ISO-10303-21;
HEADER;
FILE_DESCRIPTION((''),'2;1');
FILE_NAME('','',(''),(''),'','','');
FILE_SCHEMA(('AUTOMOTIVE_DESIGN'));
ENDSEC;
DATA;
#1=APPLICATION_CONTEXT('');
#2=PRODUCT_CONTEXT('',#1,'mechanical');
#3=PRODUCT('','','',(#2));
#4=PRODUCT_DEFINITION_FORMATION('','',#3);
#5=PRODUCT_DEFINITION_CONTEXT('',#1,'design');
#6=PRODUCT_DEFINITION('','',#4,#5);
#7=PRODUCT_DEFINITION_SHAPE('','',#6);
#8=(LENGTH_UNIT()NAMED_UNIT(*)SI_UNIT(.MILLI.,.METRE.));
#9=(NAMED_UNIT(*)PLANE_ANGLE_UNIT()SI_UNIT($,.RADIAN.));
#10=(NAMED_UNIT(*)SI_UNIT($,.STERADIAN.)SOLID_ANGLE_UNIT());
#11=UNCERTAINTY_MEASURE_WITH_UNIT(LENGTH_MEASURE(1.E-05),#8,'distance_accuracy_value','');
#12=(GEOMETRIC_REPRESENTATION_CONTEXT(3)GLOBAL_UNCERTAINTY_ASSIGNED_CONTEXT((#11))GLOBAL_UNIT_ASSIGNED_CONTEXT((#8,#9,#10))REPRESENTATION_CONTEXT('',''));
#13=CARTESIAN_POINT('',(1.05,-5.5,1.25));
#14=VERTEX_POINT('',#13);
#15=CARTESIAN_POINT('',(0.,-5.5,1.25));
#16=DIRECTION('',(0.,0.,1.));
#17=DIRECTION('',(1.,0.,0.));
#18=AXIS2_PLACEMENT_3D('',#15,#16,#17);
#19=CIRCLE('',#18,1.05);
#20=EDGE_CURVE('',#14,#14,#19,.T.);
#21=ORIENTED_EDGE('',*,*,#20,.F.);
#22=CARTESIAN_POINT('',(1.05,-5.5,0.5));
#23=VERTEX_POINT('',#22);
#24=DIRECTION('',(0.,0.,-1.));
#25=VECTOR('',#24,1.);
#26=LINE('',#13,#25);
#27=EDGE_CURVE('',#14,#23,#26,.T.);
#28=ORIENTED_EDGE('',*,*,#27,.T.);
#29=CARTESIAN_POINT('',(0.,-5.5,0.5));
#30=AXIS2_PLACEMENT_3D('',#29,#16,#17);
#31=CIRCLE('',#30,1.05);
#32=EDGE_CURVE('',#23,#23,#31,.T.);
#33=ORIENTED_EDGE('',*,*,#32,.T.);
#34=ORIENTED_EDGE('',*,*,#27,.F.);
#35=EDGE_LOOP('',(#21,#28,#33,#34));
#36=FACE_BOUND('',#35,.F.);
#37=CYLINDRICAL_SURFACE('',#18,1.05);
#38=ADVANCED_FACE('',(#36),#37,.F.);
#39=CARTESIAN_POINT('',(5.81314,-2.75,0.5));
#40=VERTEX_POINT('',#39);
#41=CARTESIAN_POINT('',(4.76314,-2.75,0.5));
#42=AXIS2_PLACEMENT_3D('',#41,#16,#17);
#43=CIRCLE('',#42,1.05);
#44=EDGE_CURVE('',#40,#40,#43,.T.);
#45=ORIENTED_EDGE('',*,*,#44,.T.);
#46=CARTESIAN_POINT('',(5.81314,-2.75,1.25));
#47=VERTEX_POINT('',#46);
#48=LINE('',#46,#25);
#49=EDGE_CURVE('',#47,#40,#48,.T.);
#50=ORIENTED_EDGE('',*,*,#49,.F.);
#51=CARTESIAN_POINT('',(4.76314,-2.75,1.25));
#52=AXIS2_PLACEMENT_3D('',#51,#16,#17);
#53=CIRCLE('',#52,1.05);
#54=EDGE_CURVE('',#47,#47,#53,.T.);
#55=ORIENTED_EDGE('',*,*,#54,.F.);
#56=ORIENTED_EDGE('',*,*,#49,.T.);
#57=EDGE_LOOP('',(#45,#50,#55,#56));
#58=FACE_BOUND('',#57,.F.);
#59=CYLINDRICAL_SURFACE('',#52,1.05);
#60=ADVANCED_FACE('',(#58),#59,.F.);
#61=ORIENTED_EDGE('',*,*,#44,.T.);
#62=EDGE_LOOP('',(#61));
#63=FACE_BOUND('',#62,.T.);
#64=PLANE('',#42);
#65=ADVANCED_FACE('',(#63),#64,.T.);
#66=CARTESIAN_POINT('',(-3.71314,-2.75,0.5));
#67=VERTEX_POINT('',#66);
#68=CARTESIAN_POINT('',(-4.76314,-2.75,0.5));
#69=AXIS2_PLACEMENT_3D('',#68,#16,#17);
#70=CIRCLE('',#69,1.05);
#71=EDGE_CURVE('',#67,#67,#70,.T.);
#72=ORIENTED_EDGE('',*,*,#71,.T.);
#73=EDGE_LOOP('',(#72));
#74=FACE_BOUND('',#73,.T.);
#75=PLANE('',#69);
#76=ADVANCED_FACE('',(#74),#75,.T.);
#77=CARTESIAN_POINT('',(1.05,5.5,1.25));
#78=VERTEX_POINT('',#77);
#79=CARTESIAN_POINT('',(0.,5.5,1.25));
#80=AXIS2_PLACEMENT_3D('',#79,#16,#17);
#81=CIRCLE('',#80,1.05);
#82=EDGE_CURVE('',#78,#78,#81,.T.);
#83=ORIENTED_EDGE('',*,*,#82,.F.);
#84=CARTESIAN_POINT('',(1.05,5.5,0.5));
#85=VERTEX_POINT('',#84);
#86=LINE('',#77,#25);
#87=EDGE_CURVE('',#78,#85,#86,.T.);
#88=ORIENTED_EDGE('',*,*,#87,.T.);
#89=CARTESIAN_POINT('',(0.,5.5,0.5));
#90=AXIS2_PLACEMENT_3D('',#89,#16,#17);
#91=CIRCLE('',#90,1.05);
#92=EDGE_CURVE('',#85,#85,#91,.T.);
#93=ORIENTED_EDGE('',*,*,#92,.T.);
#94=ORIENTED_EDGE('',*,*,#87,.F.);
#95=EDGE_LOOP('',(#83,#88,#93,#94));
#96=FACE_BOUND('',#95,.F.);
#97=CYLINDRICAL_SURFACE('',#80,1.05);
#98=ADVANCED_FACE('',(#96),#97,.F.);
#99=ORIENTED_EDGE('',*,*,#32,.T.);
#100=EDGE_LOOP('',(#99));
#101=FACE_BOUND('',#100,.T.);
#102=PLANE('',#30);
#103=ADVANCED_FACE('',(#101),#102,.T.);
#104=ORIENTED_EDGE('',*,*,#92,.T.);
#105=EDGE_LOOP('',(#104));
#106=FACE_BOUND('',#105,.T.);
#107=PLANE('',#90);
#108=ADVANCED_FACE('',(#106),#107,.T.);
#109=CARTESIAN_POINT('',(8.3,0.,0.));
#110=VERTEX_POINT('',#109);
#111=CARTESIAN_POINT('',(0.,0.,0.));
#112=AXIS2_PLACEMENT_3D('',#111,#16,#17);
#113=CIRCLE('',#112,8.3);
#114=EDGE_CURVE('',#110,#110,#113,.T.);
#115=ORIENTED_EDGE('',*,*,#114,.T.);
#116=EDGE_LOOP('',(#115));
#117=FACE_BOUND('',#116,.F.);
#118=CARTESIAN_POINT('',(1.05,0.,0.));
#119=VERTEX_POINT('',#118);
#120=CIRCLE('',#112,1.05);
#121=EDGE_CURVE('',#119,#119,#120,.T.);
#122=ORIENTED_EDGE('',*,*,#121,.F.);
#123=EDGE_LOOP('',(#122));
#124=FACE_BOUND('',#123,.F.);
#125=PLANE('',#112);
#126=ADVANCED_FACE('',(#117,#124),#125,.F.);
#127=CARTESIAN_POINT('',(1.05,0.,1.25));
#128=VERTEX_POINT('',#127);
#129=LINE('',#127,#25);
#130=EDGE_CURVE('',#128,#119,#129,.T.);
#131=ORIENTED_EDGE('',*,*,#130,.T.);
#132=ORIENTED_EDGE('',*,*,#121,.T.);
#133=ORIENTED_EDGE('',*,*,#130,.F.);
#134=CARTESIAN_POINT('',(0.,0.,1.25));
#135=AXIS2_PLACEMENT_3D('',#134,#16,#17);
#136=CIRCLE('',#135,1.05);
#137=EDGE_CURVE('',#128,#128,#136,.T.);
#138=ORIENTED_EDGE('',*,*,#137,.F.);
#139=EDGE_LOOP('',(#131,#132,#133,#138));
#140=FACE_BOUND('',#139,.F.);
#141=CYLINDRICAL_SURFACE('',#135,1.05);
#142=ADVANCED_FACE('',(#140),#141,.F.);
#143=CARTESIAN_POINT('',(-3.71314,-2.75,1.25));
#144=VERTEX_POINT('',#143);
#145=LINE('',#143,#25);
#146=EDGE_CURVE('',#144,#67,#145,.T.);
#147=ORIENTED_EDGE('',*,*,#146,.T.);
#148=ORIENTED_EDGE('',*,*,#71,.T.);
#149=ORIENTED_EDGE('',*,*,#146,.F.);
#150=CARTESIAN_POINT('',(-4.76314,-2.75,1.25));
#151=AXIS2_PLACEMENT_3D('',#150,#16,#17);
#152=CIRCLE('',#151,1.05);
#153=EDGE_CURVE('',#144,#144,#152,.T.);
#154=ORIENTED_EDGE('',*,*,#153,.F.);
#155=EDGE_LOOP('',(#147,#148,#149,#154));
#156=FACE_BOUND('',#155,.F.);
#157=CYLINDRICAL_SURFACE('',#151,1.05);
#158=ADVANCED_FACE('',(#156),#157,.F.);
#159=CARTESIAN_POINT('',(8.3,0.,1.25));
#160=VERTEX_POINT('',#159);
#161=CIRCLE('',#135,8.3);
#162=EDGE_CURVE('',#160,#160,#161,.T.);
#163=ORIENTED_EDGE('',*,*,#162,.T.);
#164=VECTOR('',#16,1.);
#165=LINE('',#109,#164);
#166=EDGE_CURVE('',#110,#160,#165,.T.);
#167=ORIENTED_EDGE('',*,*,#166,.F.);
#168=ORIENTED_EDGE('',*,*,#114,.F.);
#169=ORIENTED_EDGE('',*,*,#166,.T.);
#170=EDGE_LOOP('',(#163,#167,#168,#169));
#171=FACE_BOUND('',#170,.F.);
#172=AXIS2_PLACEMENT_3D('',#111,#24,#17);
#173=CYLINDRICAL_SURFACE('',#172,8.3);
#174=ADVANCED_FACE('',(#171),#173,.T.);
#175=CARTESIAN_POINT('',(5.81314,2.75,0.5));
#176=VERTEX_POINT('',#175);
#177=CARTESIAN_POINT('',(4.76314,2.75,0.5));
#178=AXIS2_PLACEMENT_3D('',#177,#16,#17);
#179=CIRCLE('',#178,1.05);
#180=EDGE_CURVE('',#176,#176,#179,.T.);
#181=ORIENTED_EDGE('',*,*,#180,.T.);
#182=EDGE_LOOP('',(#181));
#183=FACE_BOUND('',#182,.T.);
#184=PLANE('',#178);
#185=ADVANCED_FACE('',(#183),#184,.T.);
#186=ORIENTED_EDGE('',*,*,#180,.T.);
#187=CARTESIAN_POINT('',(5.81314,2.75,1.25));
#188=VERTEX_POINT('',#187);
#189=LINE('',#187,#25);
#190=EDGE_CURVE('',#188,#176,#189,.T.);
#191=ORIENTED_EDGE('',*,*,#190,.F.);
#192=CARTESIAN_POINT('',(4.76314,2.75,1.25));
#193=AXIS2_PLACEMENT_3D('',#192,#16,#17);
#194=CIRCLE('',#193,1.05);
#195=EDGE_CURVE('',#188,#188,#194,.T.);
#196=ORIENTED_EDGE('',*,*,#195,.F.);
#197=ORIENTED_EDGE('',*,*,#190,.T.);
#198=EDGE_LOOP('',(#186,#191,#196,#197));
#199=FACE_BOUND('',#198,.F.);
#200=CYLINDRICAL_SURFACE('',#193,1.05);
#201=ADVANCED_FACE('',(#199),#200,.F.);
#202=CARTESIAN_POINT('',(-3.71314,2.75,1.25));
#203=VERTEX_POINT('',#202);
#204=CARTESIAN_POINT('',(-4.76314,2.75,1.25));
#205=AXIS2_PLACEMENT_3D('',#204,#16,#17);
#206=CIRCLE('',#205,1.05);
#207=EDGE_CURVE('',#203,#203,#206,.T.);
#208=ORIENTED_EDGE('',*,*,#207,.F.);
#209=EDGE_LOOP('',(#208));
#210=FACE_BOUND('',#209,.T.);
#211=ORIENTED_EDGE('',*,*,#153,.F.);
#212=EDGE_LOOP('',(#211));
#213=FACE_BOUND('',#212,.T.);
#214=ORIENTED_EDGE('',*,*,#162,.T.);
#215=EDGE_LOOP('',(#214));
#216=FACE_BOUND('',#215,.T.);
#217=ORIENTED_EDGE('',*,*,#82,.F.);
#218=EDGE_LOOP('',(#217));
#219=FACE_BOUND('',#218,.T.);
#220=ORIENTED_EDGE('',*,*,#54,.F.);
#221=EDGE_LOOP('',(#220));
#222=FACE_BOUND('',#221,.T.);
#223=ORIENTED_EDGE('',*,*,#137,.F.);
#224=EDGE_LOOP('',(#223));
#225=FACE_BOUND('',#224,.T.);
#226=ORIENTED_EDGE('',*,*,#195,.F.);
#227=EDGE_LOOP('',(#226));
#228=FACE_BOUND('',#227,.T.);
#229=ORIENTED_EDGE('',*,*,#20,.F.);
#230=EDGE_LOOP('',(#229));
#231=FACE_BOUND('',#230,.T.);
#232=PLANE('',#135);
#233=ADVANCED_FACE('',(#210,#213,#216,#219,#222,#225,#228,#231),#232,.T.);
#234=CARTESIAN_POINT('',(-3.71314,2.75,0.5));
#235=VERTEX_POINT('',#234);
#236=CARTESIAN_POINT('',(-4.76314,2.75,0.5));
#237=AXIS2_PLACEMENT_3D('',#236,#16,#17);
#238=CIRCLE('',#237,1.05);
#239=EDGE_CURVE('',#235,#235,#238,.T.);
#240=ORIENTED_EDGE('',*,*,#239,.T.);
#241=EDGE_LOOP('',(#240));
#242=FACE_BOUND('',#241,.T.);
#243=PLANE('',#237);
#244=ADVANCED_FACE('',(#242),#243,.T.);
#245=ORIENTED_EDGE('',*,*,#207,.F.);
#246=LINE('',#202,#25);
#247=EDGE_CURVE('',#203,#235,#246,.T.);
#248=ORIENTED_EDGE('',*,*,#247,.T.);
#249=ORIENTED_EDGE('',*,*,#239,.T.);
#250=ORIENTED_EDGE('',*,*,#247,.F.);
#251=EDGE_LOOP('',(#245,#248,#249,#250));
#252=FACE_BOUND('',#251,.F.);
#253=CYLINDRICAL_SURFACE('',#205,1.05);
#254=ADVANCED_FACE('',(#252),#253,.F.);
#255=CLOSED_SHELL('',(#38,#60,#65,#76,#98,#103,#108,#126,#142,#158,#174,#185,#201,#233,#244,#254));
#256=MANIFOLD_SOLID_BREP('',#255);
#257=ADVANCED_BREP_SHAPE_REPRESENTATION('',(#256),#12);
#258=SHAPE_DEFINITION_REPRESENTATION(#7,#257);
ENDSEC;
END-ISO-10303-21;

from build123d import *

# Parameters (mm, degrees)
F0_R     = 8.3
F1_DEPTH = 1.25
F2_R     = 1.05
F3_DEPTH = 25
F4_R     = 1.05
F5_DEPTH = 0.75


with BuildPart() as f1:
    # F0 (on Top) → F1 (new body)
    with BuildSketch(Plane.XY):
        Circle(F0_R)
    extrude(amount=F1_DEPTH)

    # F2 (on face) → F3 (cut)
    with BuildSketch(Plane.XY.offset(1.25)):
        Circle(F2_R)
    extrude(amount=-F3_DEPTH, mode=Mode.SUBTRACT)

    # F4 (on face) → F5 (cut)
    with BuildSketch(Plane.XY.offset(1.25)):
        with Locations((0, 5.5)):
            Circle(F4_R)
        with Locations((-4.76314, 2.75)):
            Circle(F4_R)
        with Locations((-4.76314, -2.75)):
            Circle(F4_R)
        with Locations((0, -5.5)):
            Circle(F4_R)
        with Locations((4.76314, -2.75)):
            Circle(F4_R)
        with Locations((4.76314, 2.75)):
            Circle(F4_R)
    extrude(amount=-F5_DEPTH, mode=Mode.SUBTRACT)


solid = f1.part
